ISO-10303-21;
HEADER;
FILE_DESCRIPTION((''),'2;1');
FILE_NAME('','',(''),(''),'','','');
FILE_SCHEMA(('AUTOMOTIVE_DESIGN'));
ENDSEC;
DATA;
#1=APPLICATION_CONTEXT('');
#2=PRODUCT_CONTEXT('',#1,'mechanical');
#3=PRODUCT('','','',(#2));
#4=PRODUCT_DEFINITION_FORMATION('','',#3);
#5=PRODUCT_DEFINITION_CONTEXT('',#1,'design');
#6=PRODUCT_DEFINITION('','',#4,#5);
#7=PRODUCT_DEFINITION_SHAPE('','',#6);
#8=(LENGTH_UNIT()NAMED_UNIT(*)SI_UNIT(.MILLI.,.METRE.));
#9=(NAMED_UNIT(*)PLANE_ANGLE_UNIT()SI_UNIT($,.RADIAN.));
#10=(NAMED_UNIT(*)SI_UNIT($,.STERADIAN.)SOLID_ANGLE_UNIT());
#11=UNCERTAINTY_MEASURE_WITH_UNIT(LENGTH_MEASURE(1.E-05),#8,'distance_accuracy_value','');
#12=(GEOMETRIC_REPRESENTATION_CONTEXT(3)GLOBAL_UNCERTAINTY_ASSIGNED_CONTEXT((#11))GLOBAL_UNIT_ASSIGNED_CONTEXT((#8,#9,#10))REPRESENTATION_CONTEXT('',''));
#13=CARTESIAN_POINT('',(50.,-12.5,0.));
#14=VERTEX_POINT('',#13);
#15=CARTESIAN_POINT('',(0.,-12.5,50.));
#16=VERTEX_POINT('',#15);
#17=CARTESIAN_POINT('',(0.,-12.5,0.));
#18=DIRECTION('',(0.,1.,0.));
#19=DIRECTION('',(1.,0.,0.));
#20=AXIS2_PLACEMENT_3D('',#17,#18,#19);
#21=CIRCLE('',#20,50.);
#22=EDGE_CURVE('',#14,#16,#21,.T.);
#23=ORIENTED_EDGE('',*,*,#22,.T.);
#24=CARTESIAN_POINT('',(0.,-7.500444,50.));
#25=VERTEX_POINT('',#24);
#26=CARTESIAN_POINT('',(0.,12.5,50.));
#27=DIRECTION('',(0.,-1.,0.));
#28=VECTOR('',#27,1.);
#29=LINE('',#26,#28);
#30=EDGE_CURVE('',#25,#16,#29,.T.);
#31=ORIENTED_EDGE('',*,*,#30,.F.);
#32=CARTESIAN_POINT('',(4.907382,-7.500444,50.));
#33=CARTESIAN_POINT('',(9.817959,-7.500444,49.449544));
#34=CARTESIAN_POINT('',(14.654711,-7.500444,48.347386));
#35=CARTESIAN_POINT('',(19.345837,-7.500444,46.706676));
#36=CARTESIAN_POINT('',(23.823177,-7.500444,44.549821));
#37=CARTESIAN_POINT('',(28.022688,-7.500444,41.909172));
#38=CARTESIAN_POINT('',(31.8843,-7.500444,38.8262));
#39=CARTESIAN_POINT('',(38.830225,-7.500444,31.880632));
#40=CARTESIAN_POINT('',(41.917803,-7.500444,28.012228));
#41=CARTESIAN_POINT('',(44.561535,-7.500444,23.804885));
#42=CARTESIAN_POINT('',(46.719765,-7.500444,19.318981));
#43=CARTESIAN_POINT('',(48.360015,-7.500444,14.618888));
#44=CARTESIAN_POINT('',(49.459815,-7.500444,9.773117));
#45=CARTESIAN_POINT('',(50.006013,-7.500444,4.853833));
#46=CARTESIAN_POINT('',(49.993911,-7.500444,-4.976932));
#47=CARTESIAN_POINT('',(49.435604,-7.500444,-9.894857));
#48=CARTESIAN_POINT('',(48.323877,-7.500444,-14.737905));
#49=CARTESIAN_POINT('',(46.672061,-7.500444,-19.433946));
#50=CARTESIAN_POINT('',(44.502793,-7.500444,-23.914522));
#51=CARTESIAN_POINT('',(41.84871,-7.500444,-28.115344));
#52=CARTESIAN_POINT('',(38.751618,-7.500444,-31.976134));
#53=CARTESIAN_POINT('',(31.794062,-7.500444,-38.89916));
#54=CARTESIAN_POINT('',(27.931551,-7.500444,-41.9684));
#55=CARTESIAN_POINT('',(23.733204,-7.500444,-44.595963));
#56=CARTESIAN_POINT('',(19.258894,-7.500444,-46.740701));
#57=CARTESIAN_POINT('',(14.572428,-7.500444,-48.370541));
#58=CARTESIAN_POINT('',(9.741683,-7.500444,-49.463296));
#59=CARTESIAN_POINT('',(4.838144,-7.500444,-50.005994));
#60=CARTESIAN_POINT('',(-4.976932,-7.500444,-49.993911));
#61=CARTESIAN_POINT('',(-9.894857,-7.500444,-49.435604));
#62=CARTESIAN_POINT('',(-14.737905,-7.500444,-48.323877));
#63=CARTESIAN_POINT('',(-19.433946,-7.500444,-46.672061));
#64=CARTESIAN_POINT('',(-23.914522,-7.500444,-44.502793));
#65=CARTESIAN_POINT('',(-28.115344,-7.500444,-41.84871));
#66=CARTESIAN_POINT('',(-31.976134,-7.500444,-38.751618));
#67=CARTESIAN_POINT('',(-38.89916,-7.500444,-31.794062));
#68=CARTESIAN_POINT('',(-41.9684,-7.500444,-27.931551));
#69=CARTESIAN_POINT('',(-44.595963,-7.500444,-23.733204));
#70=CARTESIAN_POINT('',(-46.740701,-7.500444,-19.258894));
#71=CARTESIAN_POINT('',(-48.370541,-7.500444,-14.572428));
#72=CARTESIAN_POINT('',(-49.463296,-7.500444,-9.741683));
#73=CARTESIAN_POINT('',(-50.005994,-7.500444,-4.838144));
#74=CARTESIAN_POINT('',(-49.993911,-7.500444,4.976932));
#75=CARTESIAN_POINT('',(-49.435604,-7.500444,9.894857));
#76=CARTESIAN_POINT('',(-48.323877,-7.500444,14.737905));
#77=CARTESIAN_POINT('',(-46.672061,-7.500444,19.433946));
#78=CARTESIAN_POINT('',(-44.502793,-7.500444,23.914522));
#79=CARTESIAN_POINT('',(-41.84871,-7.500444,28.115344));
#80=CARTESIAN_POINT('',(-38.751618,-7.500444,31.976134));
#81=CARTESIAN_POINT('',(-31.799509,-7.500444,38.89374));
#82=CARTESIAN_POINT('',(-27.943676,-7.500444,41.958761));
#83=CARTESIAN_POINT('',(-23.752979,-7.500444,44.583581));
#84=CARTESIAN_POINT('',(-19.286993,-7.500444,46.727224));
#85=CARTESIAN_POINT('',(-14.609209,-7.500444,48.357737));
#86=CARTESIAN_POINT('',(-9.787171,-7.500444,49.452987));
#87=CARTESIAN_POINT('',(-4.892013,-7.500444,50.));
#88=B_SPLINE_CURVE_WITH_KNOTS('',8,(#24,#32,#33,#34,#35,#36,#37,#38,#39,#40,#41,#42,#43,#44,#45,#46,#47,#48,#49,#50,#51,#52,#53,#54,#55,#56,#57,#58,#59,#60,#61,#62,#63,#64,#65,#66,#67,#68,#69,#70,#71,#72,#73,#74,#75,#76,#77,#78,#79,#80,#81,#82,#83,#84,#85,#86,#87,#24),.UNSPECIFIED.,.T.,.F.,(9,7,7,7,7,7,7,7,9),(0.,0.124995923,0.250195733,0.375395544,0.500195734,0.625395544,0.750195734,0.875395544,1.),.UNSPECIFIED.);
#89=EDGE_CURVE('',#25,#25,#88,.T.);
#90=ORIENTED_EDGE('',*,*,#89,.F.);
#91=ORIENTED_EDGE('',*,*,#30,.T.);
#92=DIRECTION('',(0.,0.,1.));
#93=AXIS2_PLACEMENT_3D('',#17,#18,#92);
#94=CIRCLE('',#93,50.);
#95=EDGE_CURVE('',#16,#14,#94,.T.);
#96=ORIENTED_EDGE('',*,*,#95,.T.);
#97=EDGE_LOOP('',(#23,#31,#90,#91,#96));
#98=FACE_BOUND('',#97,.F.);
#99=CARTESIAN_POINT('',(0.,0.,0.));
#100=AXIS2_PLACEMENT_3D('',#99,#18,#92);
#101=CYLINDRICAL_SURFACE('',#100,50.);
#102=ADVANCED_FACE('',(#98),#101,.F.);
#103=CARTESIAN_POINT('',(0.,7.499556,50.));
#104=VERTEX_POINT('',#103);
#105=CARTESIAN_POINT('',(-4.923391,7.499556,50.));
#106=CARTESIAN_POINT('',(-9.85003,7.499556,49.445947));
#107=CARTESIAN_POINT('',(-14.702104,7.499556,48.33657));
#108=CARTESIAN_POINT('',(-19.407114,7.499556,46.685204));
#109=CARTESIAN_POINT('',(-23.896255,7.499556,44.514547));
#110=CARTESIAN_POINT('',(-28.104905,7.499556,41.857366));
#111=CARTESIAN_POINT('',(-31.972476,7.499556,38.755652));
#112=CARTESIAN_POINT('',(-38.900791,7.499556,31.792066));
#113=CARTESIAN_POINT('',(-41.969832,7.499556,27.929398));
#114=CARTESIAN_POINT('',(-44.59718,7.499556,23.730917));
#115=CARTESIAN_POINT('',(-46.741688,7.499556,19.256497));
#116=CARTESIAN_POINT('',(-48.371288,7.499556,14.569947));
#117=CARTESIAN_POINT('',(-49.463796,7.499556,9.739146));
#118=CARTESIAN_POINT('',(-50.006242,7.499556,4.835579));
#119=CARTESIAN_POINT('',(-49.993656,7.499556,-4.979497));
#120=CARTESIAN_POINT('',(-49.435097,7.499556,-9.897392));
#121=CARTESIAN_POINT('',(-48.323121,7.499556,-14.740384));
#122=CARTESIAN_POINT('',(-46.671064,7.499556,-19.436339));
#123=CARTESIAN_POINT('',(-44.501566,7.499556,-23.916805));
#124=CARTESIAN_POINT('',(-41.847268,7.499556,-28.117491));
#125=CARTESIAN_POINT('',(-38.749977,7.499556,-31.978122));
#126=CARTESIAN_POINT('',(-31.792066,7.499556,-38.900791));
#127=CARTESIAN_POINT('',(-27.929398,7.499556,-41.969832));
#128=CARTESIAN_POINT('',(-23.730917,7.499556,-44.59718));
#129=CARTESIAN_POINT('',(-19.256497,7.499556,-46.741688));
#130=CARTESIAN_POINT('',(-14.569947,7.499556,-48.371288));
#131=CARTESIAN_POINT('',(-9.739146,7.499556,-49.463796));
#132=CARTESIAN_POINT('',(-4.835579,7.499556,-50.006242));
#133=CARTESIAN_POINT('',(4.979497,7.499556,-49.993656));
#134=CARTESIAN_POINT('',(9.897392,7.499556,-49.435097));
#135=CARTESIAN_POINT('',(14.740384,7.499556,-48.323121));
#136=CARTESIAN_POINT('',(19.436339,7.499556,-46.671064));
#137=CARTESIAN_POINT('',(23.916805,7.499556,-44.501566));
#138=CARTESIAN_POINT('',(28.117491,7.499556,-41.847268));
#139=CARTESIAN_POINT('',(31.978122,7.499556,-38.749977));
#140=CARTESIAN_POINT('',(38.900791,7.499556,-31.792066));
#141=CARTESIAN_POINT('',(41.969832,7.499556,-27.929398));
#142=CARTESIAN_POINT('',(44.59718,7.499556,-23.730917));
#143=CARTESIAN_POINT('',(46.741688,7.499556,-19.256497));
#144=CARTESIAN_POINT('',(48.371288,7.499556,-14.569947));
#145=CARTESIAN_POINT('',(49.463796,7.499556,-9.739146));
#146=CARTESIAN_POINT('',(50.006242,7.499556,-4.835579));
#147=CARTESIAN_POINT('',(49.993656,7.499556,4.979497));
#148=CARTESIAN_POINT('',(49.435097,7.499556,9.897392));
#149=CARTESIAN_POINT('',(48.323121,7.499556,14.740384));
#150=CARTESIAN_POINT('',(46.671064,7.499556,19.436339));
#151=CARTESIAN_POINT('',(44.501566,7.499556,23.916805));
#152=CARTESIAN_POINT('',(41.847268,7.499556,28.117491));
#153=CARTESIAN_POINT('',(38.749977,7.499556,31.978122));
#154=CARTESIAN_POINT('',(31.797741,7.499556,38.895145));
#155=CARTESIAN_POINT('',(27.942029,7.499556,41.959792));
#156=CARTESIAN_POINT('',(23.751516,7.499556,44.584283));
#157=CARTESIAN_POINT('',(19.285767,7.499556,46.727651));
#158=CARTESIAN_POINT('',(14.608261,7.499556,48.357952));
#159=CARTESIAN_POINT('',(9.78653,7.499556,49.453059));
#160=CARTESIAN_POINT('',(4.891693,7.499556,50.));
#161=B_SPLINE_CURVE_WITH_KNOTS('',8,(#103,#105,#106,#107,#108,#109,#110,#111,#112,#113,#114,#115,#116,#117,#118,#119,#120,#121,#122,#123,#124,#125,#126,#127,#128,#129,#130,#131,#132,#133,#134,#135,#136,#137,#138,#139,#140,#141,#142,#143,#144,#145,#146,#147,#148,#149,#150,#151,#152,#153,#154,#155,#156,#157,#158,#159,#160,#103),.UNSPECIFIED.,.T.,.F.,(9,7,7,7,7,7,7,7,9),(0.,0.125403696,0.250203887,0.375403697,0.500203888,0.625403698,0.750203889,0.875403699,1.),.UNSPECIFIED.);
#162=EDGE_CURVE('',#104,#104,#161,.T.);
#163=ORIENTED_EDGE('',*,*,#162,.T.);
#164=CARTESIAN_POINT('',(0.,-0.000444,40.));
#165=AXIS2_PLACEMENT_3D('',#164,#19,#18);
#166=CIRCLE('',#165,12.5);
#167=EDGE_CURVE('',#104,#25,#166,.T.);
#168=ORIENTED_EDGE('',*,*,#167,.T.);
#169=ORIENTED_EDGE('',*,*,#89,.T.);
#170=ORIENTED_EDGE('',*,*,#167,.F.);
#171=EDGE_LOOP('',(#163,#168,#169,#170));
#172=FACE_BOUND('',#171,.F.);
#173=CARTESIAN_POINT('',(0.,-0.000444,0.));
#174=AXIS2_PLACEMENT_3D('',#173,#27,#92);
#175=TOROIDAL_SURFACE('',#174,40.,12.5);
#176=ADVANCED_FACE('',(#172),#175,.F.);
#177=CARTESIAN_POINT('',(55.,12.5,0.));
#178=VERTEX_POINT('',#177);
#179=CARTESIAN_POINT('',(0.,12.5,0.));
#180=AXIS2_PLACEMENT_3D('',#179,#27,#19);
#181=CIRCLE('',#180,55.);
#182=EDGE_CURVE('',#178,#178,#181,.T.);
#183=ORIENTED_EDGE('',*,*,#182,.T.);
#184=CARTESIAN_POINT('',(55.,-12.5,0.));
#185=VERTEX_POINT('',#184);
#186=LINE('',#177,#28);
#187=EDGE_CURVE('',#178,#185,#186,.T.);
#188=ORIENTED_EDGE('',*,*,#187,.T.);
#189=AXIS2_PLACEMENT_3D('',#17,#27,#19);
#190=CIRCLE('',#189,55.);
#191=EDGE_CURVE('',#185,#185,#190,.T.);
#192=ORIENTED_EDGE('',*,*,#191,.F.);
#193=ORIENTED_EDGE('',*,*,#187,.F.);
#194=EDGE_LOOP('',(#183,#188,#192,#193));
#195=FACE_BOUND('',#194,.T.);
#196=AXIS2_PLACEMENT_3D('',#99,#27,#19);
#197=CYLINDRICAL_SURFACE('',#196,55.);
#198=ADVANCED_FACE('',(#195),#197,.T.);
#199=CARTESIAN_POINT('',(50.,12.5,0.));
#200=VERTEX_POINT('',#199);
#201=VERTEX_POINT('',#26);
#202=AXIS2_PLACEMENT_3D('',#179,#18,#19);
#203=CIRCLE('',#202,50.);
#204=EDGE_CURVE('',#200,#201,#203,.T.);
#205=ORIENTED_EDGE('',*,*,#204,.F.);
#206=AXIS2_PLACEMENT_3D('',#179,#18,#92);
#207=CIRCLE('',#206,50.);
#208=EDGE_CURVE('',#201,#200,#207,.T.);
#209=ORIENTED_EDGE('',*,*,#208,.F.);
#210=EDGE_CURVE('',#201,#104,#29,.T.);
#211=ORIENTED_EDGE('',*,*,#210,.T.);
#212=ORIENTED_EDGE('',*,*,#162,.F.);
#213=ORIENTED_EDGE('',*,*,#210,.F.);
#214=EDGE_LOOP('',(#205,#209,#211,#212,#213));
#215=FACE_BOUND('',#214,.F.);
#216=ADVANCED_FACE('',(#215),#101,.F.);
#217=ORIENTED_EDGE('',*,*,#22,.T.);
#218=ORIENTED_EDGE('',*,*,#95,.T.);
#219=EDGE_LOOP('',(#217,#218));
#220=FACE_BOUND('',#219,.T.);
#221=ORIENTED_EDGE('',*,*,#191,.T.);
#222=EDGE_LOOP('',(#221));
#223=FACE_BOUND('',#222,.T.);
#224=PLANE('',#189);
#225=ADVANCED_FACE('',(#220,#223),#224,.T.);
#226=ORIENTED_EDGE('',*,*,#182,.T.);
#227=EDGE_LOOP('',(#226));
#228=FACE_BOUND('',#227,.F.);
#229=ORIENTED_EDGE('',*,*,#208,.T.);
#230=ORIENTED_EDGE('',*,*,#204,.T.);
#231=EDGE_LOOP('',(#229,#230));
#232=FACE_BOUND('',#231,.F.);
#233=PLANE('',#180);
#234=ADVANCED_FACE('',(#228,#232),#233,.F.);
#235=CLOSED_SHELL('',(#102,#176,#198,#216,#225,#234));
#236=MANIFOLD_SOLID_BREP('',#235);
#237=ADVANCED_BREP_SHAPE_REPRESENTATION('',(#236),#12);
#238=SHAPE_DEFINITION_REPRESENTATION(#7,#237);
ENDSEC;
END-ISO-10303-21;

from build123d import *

# Parameters (mm, degrees)
F0_R     = 55
F1_DEPTH = 12.5


with BuildPart() as f1:
    # F0 (on Front) → F1 (new body, symmetric)
    with BuildSketch(Plane.XZ):
        Circle(F0_R)
        with BuildLine():
            ThreePointArc((0, 50), (35.3553390593, 35.3553390593), (50, 0))
            ThreePointArc((50, 0), (-35.3553390593, -35.3553390593), (0, 50))
        make_face(mode=Mode.SUBTRACT)
    extrude(amount=F1_DEPTH, both=True)

    # F2 (on Right) → F3 (revolve, cut)
    with BuildSketch(Plane.YZ):
        with BuildLine():
            Line((-12.5004435434, 40), (12.4995564566, 40))
            ThreePointArc((12.4995564566, 40), (-0.0004435434, 52.5), (-12.5004435434, 40))
        make_face()
    revolve(axis=Axis((0, 0, 0), (0, -1, 0)), mode=Mode.SUBTRACT)


solid = f1.part
